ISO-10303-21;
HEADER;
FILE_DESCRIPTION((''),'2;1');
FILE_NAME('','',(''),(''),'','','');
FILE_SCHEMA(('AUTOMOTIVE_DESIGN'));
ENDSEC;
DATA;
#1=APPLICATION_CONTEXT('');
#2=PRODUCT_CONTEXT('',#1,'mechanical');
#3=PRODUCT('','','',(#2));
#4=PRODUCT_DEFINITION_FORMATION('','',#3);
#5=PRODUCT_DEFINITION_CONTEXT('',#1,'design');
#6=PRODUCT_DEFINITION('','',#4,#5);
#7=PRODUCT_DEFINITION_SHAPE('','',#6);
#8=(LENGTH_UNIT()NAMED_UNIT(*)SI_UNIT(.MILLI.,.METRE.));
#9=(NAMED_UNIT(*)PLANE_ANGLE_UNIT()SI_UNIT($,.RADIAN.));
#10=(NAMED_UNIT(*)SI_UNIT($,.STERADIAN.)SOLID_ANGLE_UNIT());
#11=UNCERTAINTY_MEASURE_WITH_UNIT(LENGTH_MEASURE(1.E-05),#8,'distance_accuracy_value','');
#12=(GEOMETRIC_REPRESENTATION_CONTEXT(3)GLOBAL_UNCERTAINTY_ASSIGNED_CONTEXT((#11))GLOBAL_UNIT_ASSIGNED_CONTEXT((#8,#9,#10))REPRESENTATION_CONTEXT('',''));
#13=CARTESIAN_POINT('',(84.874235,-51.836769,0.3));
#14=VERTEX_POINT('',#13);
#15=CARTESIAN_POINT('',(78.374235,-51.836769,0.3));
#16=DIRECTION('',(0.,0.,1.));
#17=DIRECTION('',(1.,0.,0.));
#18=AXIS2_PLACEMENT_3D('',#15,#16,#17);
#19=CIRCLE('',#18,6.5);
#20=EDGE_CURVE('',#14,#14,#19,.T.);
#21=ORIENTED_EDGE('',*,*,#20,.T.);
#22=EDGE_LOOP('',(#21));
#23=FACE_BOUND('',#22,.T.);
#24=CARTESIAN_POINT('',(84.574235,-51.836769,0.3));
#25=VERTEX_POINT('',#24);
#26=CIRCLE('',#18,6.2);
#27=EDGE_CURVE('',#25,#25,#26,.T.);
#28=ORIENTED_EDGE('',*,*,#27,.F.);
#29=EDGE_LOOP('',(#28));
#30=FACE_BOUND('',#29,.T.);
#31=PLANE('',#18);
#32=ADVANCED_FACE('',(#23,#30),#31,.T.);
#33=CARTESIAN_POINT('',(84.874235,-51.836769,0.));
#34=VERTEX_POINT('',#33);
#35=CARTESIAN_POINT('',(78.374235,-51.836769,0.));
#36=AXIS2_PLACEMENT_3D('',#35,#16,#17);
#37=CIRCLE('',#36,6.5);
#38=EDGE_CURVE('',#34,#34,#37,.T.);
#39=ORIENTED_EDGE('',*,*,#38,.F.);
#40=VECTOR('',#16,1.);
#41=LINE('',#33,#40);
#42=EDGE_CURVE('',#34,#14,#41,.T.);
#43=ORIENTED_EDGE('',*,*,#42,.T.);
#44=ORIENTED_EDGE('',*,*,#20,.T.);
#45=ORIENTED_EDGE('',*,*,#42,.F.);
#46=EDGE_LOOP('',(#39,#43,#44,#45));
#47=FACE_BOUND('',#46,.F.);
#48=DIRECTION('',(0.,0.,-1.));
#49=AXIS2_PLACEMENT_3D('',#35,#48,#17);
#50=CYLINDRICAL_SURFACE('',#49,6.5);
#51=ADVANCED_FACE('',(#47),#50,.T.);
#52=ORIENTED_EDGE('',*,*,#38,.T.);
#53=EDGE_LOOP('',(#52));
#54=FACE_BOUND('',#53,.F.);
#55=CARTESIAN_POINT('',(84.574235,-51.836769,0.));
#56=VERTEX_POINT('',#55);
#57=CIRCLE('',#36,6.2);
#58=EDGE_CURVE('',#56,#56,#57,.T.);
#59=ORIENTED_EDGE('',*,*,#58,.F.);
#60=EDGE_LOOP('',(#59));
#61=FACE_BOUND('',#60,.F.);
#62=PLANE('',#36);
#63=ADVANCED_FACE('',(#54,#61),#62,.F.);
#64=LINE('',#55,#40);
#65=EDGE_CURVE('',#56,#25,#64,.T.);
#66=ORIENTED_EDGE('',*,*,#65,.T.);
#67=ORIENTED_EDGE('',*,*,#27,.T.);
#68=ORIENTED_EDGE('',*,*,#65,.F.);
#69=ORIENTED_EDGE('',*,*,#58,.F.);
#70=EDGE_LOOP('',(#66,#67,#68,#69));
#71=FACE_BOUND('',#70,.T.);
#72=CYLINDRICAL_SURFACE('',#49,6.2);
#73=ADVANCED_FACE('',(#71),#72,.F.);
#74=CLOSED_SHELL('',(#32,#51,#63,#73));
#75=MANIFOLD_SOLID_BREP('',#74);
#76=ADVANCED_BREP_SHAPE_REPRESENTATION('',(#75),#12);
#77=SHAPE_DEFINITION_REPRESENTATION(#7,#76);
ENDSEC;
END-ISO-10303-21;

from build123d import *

# Parameters (mm, degrees)
F1_W     = 180
F1_H     = 180
F1_W_2   = 179.4
F1_H_2   = 179.4
F2_DEPTH = 0.3
F1_W_3   = 129.7133469
F1_H_3   = 140
F1_W_4   = 129.1133469
F1_H_4   = 139.4
F1_R     = 6.5
F1_R_2   = 6.2
F1_W_5   = 80
F1_H_5   = 80


with BuildPart() as f2:
    # F1 (on Top) → F2 (new body)
    with BuildSketch(Plane.XY):
        with Locations((-1.4824382961, 17.8632308638)):
            Rectangle(F1_W, F1_H)
        with Locations((-1.4824382961, 17.8632308638)):
            Rectangle(F1_W_2, F1_H_2, mode=Mode.SUBTRACT)
    extrude(amount=F2_DEPTH)


with BuildPart() as f2b:
    # F1 (on Top) → F2, piece 2 (new body)
    with BuildSketch(Plane.XY):
        Polygon((-81.3541731706, 97.8632308638), (-81.4824382961, 97.8632308638), (-81.4824382961, 95.4210562907), (-81.1824382961, 95.666005265), (-81.1824382961, 97.5632308638), (-79.8844793249, 97.5632308638), align=None)
        Polygon((-79.8541731706, 97.8632308638), (-81.3541731706, 97.8632308638), (-79.8844793249, 97.5632308638), (-78.3844793249, 97.5632308638), align=None)
        Polygon((68.2309086039, 97.8632308638), (-79.8541731706, 97.8632308638), (-78.3844793249, 97.5632308638), (67.9309086039, 97.5632308638), (67.9309086039, -61.8367691362), (-81.1824382961, -61.8367691362), (-81.1824382961, 95.2787069303), (-81.4824382961, 95.0337579561), (-81.4824382961, -62.1367691362), (68.2309086039, -62.1367691362), align=None)
        Polygon((-87.8824382961, 99.1958074024), (-81.3541731706, 97.8632308638), (-79.8541731706, 97.8632308638), (-88.1824382961, 99.5632308638), (-88.1824382961, 89.5632308638), (-81.4824382961, 95.0337579561), (-81.4824382961, 95.4210562907), (-87.8824382961, 90.1954781727), align=None)
    extrude(amount=F2_DEPTH)


with BuildPart() as f2c:
    # F1 (on Top) → F2, piece 3 (new body)
    with BuildSketch(Plane.XY):
        with Locations((-6.6257648461, 17.8632308638)):
            Rectangle(F1_W_3, F1_H_3)
        with Locations((-6.6257648461, 17.8632308638)):
            Rectangle(F1_W_4, F1_H_4, mode=Mode.SUBTRACT)
    extrude(amount=F2_DEPTH)


with BuildPart() as f2d:
    # F1 (on Top) → F2, piece 4 (new body)
    with BuildSketch(Plane.XY):
        with Locations((78.3742351539, -51.8367691362)):
            Circle(F1_R)
        with Locations((78.3742351539, -51.8367691362)):
            Circle(F1_R_2, mode=Mode.SUBTRACT)
    extrude(amount=F2_DEPTH)


with BuildPart() as f2e:
    # F1 (on Top) → F2, piece 5 (new body)
    with BuildSketch(Plane.XY):
        with Locations((-1.4824382961, 17.8632308638)):
            Rectangle(F1_W_5, F1_H_5)
    extrude(amount=F2_DEPTH)


solid = f2d.part
